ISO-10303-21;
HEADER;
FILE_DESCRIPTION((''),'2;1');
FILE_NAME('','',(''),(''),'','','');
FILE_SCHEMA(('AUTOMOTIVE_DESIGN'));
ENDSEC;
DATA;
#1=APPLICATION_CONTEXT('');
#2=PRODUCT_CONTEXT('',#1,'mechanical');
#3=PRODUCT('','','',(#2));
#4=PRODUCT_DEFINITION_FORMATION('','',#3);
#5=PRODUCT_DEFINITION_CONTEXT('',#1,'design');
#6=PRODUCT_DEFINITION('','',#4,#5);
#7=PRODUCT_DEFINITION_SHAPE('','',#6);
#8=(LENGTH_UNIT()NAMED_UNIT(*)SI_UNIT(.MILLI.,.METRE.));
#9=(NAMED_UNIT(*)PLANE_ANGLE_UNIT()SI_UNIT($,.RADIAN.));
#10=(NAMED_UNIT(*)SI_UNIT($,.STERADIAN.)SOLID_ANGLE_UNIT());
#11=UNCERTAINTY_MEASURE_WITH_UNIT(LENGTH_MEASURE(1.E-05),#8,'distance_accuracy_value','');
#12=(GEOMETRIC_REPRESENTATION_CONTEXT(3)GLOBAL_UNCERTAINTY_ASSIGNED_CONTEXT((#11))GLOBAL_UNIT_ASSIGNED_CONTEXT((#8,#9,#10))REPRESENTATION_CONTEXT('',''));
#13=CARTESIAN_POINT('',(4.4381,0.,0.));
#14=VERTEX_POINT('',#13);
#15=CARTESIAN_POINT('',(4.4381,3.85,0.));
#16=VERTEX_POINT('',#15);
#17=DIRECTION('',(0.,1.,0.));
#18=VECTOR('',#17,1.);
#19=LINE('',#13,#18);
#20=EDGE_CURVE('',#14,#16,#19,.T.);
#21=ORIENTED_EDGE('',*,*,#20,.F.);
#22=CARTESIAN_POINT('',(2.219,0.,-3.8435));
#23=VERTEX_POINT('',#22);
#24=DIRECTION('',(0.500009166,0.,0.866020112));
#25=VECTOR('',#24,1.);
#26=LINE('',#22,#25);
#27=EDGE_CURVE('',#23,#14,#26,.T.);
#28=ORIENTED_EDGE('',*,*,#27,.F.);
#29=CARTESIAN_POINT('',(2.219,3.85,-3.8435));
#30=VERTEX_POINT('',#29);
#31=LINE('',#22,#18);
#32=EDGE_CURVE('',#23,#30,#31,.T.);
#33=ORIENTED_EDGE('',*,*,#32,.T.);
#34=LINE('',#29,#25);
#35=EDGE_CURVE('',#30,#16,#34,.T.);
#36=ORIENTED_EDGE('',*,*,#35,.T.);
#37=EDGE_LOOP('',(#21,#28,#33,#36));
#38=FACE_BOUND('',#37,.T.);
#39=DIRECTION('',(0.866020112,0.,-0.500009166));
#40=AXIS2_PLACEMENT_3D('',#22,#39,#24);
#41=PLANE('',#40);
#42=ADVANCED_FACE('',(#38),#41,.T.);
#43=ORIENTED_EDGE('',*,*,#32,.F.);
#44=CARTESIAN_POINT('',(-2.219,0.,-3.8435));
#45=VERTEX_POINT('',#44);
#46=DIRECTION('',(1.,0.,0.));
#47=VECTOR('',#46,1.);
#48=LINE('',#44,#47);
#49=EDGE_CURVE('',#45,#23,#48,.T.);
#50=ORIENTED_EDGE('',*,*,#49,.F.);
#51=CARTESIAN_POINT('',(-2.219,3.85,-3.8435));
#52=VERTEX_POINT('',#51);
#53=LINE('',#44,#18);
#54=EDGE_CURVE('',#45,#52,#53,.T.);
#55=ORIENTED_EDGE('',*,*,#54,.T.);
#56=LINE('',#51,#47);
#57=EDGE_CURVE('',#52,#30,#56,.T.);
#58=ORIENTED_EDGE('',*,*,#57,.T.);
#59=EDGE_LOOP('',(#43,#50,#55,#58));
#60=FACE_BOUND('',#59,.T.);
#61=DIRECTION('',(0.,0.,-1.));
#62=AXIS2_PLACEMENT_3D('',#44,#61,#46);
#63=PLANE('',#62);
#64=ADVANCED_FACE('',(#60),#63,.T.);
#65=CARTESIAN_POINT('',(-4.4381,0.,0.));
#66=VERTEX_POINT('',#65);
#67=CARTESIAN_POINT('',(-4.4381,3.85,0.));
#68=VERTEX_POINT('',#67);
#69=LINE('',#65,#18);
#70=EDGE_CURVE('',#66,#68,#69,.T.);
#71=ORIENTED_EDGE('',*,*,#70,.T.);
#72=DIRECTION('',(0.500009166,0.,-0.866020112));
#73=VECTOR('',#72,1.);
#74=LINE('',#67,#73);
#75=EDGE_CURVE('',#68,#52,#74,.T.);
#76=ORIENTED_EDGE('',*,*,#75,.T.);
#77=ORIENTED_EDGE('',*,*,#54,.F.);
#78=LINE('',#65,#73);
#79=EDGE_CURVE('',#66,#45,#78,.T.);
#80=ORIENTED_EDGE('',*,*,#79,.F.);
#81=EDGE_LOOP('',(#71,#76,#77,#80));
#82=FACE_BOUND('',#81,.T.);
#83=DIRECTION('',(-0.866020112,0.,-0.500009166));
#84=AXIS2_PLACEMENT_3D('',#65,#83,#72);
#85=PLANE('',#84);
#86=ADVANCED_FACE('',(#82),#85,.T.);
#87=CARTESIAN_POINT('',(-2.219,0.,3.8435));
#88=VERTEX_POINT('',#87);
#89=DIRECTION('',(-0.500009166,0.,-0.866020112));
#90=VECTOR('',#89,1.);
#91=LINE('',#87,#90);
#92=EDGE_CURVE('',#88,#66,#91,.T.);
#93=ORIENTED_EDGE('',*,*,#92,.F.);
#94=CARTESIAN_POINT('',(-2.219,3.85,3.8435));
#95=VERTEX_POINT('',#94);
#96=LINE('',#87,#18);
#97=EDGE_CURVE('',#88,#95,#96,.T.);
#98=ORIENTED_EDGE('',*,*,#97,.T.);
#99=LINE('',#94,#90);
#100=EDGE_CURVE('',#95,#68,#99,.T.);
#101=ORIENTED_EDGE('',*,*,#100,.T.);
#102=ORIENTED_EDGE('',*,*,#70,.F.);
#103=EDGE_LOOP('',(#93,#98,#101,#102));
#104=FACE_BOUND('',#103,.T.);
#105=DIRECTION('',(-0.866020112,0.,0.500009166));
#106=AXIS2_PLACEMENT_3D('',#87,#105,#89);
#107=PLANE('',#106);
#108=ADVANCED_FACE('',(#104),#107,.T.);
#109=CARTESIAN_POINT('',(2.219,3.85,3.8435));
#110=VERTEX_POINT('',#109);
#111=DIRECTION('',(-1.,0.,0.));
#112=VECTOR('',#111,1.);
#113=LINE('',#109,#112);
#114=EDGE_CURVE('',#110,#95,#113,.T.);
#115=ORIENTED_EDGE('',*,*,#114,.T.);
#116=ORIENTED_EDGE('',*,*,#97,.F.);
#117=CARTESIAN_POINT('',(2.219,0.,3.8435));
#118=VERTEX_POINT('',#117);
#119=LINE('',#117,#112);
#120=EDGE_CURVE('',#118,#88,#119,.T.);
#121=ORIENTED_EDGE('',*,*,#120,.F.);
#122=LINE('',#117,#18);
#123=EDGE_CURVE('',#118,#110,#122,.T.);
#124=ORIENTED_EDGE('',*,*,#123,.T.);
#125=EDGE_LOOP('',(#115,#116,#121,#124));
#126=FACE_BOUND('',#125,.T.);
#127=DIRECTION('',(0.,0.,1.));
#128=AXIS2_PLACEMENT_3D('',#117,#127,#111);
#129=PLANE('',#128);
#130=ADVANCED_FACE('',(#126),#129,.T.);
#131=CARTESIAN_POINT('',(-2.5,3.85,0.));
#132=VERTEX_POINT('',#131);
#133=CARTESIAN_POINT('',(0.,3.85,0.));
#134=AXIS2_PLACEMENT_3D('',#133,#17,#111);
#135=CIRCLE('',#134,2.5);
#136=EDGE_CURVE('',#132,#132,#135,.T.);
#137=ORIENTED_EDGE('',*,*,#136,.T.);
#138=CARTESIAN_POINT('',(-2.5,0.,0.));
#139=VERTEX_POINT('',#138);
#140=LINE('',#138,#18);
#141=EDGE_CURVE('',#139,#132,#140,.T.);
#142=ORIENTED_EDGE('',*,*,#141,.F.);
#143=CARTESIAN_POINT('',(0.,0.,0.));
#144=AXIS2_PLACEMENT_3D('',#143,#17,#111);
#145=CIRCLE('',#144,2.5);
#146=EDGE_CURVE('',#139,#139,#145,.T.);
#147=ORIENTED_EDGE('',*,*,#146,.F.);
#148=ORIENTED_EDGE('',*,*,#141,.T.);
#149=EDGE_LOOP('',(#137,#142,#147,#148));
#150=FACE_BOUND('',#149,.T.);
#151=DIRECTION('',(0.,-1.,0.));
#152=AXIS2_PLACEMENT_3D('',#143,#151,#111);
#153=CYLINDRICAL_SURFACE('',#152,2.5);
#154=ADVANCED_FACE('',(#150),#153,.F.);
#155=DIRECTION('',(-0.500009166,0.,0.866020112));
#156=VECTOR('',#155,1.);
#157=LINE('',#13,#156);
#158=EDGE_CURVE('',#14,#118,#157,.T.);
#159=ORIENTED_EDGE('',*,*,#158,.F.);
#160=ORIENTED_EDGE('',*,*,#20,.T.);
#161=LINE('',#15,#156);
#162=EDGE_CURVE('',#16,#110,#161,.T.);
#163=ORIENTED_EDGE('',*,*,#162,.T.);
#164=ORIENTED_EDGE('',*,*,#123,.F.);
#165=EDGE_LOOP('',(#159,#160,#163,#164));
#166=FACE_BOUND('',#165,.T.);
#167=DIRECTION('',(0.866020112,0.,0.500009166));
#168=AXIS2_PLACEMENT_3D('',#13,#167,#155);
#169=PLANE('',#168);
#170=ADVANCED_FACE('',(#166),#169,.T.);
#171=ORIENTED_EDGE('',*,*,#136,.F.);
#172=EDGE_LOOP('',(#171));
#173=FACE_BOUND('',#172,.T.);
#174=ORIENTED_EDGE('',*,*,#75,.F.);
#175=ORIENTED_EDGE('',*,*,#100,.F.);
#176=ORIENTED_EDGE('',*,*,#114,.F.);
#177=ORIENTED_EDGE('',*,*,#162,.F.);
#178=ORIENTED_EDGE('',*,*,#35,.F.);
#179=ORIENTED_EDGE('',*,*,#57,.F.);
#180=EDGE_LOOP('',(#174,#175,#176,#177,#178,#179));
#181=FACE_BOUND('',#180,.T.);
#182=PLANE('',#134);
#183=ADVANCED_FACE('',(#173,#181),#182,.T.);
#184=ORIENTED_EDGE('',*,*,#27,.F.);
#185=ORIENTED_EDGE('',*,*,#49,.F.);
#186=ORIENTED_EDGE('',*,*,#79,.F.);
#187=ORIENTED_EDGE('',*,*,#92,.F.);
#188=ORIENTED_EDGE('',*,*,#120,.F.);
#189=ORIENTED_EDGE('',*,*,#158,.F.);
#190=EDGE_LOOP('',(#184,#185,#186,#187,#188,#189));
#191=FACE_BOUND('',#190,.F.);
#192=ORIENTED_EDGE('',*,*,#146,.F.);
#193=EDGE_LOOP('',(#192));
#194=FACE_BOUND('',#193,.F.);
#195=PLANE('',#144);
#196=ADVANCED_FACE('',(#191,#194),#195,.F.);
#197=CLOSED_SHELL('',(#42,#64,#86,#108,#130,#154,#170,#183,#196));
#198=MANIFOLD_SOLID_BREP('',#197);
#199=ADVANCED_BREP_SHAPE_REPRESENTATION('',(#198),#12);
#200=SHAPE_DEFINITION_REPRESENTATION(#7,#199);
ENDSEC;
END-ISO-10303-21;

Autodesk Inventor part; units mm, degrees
ref_plane "YZ Plane" through (0, 0, 0) normal (1, 0, 0) x (0, 1, 0)
ref_plane "XZ Plane" through (0, 0, 0) normal (0, 1, 0) x (-1, 0, 0)
ref_plane "XY Plane" through (0, 0, 0) normal (0, 0, 1) x (1, 0, 0)
sketch "Sketch1" plane through (0, 0, 0) normal (0, 1, 0) x (-1, 0, 0)
  line L0 (-4.4381, 0) -> (-2.219, 3.8435)
  line L1 (-2.219, 3.8435) -> (2.219, 3.8435)
  line L2 (2.219, 3.8435) -> (4.4381, 0)
  line L3 (4.4381, 0) -> (2.219, -3.8435)
  line L4 (2.219, -3.8435) -> (-2.219, -3.8435)
  line L5 (-2.219, -3.8435) -> (-4.4381, 0)
  circle A0 centre (0, 0) radius 2.5
  dimension "d0" = 7.687
  dimension "d1" = 5
extrude "Extrusion1" add sketch "Sketch1" along normal blind 3.85
properties part number "M5 Nut"
